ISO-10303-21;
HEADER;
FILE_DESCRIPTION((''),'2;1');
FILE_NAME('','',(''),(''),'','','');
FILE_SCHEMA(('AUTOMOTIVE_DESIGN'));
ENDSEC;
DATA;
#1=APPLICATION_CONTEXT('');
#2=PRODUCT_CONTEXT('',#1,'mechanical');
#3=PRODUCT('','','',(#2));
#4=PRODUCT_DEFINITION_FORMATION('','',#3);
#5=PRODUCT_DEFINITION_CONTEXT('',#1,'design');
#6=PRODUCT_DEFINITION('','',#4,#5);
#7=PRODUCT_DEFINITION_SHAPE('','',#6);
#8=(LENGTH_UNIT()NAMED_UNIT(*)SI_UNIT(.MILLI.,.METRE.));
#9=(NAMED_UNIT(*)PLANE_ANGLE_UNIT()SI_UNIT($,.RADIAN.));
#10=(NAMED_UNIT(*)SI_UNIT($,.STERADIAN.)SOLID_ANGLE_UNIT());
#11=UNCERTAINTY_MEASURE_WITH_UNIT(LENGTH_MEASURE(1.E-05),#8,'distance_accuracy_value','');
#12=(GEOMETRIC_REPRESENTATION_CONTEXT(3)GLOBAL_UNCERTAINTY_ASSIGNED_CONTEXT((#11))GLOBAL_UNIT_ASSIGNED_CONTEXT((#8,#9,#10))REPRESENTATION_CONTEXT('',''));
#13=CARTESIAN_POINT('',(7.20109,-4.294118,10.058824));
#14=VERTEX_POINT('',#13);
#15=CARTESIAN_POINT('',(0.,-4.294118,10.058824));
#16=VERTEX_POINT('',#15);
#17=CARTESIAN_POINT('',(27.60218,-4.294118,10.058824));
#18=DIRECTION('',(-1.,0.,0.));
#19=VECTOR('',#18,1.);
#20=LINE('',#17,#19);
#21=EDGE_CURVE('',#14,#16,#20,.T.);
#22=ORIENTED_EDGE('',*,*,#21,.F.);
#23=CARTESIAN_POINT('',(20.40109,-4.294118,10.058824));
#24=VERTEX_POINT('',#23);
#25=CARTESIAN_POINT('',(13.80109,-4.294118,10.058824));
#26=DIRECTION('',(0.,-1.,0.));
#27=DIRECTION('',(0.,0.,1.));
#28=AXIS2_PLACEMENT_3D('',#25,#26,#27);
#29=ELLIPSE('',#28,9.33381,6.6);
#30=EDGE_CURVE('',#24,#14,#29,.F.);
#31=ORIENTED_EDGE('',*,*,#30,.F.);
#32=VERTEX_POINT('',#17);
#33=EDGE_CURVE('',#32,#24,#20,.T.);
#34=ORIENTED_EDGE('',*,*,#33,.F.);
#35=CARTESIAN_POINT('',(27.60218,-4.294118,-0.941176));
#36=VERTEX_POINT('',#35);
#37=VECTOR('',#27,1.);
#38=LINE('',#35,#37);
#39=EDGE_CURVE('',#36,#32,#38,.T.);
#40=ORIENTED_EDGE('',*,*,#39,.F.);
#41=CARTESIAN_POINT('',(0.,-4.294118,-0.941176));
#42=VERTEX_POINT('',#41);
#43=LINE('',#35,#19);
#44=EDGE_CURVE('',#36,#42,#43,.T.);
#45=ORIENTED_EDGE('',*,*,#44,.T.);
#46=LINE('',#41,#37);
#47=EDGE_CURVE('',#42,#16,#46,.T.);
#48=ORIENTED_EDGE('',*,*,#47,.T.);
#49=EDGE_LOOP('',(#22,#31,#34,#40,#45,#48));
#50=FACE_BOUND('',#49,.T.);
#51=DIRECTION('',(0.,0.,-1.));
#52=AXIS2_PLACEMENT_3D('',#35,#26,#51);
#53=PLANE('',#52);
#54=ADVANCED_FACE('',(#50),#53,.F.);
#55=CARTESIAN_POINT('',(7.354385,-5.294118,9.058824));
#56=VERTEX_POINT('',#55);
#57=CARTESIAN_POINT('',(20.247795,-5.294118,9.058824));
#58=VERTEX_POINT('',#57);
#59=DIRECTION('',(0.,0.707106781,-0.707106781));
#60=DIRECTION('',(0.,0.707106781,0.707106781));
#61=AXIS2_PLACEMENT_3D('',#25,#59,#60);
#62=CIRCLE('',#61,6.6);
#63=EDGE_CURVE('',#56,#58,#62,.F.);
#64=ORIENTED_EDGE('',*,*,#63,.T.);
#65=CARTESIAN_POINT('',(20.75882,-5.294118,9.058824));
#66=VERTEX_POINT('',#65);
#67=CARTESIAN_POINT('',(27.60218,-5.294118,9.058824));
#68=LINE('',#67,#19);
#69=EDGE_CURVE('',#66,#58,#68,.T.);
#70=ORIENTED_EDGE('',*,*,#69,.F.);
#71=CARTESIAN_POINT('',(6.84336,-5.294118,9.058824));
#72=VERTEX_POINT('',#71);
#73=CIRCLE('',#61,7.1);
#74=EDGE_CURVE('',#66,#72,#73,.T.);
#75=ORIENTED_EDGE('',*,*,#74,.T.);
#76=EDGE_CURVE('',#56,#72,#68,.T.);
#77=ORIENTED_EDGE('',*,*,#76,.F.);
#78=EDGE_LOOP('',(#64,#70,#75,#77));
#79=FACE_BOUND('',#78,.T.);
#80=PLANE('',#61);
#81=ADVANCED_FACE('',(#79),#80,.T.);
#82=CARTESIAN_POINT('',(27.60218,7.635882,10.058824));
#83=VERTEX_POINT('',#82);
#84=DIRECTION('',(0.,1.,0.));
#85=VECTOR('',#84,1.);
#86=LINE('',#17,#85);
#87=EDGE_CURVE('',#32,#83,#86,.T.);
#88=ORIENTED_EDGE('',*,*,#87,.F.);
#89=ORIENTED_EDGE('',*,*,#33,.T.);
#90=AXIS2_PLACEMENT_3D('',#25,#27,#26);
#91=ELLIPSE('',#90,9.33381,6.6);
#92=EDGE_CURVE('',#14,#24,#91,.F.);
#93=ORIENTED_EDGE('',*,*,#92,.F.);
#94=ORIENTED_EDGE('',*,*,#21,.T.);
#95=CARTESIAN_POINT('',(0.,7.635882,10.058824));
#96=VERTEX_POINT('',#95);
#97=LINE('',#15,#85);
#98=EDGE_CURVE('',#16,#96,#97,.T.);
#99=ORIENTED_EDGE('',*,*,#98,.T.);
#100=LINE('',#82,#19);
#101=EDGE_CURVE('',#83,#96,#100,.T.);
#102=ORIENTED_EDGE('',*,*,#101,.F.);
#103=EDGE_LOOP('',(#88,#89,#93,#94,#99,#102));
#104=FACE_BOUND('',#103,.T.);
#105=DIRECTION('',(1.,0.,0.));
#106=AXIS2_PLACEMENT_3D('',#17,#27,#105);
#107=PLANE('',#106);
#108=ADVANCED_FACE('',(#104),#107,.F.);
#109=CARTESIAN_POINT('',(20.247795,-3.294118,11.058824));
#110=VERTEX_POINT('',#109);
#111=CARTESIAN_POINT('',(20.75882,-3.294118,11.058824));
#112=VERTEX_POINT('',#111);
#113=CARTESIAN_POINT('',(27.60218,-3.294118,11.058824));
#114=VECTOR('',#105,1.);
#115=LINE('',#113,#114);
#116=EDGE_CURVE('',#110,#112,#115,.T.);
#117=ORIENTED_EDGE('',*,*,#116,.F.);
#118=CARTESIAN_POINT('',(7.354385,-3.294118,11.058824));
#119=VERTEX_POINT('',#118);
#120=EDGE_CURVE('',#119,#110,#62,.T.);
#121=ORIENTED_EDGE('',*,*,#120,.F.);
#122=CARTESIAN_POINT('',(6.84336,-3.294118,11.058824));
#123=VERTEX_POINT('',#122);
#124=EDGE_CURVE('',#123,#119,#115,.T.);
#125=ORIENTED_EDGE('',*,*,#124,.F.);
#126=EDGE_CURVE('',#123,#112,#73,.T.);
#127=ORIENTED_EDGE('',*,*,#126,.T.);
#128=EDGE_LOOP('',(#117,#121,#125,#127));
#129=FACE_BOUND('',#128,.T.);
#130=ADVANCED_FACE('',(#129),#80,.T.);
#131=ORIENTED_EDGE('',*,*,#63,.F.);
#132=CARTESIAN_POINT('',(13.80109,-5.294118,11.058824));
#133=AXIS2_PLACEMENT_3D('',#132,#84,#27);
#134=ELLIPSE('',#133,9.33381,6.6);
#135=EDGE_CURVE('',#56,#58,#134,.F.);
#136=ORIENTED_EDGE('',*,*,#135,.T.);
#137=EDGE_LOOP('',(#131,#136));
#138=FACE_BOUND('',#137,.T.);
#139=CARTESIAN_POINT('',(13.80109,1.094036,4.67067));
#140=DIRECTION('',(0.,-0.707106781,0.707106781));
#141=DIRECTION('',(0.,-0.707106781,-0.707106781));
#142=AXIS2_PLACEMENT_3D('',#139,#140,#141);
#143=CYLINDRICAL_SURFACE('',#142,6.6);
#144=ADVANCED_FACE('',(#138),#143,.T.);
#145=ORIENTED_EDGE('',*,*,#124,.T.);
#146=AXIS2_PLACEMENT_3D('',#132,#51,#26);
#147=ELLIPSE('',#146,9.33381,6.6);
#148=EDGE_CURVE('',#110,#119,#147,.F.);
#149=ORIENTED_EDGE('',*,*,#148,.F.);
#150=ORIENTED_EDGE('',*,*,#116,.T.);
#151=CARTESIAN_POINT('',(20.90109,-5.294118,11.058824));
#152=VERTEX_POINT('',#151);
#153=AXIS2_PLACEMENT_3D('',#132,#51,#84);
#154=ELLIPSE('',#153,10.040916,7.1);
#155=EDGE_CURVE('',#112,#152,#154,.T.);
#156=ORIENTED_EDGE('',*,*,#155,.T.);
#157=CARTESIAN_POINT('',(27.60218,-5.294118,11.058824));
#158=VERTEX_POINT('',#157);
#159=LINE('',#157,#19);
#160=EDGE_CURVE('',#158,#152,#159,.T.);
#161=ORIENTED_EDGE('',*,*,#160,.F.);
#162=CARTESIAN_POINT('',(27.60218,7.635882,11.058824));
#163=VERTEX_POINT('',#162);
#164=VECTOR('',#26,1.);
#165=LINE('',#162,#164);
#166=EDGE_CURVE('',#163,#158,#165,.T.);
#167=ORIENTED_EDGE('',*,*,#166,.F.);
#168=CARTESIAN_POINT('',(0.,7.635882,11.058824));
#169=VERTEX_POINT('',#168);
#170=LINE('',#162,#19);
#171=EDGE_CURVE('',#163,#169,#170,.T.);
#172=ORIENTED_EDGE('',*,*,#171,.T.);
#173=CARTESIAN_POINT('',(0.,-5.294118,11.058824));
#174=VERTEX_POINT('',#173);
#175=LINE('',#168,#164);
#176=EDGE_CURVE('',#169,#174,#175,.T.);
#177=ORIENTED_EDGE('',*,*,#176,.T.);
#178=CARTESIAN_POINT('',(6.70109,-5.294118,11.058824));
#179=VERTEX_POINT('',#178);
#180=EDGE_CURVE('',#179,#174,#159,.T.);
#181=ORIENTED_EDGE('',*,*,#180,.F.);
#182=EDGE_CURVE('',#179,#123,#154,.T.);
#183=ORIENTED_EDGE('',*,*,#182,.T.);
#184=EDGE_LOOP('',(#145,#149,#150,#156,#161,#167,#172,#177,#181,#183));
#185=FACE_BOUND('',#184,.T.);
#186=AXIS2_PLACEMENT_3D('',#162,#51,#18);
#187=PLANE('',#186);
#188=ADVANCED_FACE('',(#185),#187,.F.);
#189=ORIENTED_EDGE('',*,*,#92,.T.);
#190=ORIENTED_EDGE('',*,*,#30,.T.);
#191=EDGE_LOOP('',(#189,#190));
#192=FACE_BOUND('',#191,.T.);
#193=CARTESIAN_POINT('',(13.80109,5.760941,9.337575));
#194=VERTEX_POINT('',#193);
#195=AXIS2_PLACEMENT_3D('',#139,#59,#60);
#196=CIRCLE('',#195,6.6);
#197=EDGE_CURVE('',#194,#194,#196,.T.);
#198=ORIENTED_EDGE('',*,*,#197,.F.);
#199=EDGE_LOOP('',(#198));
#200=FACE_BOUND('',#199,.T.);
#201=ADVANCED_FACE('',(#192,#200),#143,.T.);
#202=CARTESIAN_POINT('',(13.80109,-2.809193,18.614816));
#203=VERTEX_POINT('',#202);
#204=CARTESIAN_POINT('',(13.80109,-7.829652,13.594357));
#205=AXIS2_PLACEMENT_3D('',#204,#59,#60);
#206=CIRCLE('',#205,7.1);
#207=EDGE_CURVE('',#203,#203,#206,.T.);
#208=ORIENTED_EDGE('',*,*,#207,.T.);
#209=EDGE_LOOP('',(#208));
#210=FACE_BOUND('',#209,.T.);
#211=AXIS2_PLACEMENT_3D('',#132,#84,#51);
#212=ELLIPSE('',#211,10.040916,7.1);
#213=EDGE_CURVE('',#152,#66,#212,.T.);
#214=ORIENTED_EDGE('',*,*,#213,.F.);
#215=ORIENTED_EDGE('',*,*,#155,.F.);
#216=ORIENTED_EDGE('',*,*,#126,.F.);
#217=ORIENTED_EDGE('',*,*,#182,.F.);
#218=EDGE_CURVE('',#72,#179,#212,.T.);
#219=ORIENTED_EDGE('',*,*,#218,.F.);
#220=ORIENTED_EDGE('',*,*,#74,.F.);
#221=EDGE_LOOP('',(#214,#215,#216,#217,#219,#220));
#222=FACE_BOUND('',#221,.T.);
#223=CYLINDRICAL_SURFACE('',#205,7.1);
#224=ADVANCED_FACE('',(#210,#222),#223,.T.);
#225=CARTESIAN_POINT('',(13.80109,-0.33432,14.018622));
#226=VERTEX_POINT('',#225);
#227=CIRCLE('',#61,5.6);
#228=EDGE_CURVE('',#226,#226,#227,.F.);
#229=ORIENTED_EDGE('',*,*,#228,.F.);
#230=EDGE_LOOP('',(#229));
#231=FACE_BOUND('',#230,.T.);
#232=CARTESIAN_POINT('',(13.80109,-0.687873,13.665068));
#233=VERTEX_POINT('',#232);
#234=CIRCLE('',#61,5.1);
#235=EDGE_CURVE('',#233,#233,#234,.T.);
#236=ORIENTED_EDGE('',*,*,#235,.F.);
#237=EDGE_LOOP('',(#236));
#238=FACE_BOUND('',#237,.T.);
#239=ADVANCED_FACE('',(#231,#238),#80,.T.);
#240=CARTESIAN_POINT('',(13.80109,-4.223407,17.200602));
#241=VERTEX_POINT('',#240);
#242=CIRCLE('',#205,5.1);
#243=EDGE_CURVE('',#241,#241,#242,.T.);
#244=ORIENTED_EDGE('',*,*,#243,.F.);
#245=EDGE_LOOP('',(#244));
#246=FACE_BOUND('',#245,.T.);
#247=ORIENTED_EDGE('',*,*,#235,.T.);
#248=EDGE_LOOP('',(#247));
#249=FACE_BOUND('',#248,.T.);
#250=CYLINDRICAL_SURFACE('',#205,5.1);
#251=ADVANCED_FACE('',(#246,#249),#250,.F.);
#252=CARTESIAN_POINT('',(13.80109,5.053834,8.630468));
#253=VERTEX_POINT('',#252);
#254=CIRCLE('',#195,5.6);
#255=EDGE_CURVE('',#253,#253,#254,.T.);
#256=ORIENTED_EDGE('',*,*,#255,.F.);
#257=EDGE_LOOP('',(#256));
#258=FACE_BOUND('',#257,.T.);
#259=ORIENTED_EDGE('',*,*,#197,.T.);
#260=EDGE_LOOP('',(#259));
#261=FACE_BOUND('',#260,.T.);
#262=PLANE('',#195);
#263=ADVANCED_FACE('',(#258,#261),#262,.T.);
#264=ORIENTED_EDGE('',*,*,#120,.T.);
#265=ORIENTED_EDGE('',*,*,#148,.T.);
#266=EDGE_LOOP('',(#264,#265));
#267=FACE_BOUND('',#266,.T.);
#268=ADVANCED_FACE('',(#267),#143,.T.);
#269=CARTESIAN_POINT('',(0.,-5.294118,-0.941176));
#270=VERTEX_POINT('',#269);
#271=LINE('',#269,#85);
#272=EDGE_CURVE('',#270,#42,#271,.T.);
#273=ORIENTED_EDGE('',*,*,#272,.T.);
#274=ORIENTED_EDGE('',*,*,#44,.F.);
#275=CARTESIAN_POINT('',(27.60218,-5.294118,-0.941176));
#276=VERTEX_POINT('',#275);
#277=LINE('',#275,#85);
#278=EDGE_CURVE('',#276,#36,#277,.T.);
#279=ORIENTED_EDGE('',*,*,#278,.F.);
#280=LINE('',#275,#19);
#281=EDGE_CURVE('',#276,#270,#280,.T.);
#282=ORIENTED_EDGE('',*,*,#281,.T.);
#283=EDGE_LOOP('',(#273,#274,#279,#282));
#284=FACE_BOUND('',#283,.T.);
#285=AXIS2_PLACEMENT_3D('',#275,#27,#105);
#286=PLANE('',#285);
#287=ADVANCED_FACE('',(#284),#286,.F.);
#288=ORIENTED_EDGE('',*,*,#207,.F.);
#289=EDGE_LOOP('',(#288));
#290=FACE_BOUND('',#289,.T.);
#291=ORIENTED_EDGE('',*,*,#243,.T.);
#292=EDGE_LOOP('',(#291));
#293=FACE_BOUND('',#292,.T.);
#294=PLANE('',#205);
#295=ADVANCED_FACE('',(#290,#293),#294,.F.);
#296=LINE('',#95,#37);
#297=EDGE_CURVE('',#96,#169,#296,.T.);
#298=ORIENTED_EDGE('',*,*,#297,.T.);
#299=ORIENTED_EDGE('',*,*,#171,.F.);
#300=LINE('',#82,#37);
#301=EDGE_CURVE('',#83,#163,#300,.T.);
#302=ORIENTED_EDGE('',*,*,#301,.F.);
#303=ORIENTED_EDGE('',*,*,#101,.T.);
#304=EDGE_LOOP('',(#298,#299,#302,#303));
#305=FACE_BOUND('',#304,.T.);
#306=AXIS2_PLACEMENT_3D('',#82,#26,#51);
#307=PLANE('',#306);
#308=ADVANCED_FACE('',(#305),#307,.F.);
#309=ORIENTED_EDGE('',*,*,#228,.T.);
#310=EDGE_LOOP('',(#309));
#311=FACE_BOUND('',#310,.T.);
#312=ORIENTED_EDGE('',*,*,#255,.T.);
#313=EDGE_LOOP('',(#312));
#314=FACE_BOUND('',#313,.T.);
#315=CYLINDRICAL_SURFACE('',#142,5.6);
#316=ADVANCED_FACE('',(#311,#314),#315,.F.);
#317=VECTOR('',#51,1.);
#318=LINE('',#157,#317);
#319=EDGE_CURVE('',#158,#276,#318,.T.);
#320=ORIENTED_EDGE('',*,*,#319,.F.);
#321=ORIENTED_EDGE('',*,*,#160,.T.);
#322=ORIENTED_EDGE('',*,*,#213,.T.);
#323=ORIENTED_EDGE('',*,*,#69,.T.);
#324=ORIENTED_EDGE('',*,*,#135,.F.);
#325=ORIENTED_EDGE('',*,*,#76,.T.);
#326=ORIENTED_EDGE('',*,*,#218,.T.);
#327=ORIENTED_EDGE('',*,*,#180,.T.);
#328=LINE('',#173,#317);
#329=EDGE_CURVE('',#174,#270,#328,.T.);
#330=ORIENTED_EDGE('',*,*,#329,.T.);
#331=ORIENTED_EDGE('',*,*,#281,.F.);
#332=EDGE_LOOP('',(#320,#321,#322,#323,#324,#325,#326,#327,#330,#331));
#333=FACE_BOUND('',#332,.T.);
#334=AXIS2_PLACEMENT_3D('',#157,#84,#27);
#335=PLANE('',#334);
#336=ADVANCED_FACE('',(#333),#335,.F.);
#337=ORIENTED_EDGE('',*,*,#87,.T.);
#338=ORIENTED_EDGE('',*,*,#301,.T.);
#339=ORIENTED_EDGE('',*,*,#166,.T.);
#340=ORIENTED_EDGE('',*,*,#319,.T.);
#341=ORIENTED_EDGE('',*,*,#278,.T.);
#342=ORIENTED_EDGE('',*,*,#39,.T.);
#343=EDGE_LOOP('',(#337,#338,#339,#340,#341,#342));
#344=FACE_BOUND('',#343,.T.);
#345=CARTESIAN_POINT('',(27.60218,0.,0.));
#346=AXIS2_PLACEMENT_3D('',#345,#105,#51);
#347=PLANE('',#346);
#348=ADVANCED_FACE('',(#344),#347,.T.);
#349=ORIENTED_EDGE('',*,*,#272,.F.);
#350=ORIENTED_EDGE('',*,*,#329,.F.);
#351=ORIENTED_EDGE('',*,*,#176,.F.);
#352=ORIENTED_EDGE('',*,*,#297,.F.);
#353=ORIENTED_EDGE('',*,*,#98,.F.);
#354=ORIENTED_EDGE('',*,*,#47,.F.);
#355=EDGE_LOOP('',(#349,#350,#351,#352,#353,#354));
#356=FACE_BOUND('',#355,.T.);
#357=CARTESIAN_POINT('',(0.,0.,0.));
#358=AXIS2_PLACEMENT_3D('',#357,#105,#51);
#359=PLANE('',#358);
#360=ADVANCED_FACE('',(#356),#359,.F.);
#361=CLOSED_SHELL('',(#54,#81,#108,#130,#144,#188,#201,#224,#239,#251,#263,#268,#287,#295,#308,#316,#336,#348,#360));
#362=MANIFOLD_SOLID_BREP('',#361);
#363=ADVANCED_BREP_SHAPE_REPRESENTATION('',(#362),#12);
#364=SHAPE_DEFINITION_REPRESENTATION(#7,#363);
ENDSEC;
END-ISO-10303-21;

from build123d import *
from build123d.topology import SkipClean

# Parameters (mm, degrees)
BOSS_EXTRUDE1_DEPTH = 27.60218
SKETCH3_R           = 7.1
SKETCH3_R_2         = 5.1
BOSS_EXTRUDE2_DEPTH = 5
SKETCH4_R           = 6.6
SKETCH4_R_2         = 5.6
BOSS_EXTRUDE3_DEPTH = 7.62
CUT_EXTRUDE1_START  = -7.62
SKETCH5_R           = 5.6
CUT_EXTRUDE1_DEPTH  = 7.62
SKETCH6_R           = 5.1
CUT_EXTRUDE2_DEPTH  = 19.05


with BuildPart() as part:
    # Sketch1 → Boss-Extrude1 (new body)
    with BuildSketch(Plane(origin=(0, 0, 0), x_dir=(0, 0, -1), z_dir=(1, 0, 0))):
        Polygon((-11.058823529, 7.635882353), (-11.058823529, -5.294117647), (0.941176471, -5.294117647), (0.941176471, -4.294117647), (-10.058823529, -4.294117647), (-10.058823529, 7.635882353), align=None)
    extrude(amount=BOSS_EXTRUDE1_DEPTH)

    # Sketch3 → Boss-Extrude2 (add)
    with BuildSketch(Plane(origin=(0, -7.176470588, 7.176470588), x_dir=(-1, 0, 0), z_dir=(0, 0.7071067811865465, -0.7071067811865487))):
        with Locations((-13.80109, 4.076262621)):
            Circle(SKETCH3_R)
        with Locations((-13.80109, 4.076262621)):
            Circle(SKETCH3_R_2, mode=Mode.SUBTRACT)
    extrude(amount=-BOSS_EXTRUDE2_DEPTH)

    # Sketch4 → Boss-Extrude3 (add)
    with BuildSketch(Plane(origin=(0, -7.176470588, 7.176470588), x_dir=(-1, 0, 0), z_dir=(0, 0.7071067811865465, -0.7071067811865487))):
        with Locations((-13.80109, 4.076262621)):
            Circle(SKETCH4_R)
        with Locations((-13.80109, 4.076262621)):
            Circle(SKETCH4_R_2, mode=Mode.SUBTRACT)
    extrude(amount=BOSS_EXTRUDE3_DEPTH)

    # Sketch5 → Cut-Extrude1 (cut)
    with SkipClean():  # the faces are left unmerged after this step: merging them gives an invalid solid
        with BuildSketch(Plane(origin=(0, -1.788316916, 1.788316916), x_dir=(1, 0, 0), z_dir=(0, 0.7071067811865465, -0.7071067811865486)).offset(CUT_EXTRUDE1_START)):
            with Locations((13.80109, -4.076262621)):
                Circle(SKETCH5_R)
        extrude(amount=CUT_EXTRUDE1_DEPTH, mode=Mode.SUBTRACT)

    # Sketch6 → Cut-Extrude2 (cut)
    with SkipClean():  # the faces are left unmerged after this step: merging them gives an invalid solid
        with BuildSketch(Plane(origin=(0, -1.788316916, 1.788316916), x_dir=(1, 0, 0), z_dir=(0, 0.7071067811865465, -0.7071067811865486))):
            with Locations((13.80109, -4.076262621)):
                Circle(SKETCH6_R)
        extrude(amount=-CUT_EXTRUDE2_DEPTH, mode=Mode.SUBTRACT)


solid = part.part
